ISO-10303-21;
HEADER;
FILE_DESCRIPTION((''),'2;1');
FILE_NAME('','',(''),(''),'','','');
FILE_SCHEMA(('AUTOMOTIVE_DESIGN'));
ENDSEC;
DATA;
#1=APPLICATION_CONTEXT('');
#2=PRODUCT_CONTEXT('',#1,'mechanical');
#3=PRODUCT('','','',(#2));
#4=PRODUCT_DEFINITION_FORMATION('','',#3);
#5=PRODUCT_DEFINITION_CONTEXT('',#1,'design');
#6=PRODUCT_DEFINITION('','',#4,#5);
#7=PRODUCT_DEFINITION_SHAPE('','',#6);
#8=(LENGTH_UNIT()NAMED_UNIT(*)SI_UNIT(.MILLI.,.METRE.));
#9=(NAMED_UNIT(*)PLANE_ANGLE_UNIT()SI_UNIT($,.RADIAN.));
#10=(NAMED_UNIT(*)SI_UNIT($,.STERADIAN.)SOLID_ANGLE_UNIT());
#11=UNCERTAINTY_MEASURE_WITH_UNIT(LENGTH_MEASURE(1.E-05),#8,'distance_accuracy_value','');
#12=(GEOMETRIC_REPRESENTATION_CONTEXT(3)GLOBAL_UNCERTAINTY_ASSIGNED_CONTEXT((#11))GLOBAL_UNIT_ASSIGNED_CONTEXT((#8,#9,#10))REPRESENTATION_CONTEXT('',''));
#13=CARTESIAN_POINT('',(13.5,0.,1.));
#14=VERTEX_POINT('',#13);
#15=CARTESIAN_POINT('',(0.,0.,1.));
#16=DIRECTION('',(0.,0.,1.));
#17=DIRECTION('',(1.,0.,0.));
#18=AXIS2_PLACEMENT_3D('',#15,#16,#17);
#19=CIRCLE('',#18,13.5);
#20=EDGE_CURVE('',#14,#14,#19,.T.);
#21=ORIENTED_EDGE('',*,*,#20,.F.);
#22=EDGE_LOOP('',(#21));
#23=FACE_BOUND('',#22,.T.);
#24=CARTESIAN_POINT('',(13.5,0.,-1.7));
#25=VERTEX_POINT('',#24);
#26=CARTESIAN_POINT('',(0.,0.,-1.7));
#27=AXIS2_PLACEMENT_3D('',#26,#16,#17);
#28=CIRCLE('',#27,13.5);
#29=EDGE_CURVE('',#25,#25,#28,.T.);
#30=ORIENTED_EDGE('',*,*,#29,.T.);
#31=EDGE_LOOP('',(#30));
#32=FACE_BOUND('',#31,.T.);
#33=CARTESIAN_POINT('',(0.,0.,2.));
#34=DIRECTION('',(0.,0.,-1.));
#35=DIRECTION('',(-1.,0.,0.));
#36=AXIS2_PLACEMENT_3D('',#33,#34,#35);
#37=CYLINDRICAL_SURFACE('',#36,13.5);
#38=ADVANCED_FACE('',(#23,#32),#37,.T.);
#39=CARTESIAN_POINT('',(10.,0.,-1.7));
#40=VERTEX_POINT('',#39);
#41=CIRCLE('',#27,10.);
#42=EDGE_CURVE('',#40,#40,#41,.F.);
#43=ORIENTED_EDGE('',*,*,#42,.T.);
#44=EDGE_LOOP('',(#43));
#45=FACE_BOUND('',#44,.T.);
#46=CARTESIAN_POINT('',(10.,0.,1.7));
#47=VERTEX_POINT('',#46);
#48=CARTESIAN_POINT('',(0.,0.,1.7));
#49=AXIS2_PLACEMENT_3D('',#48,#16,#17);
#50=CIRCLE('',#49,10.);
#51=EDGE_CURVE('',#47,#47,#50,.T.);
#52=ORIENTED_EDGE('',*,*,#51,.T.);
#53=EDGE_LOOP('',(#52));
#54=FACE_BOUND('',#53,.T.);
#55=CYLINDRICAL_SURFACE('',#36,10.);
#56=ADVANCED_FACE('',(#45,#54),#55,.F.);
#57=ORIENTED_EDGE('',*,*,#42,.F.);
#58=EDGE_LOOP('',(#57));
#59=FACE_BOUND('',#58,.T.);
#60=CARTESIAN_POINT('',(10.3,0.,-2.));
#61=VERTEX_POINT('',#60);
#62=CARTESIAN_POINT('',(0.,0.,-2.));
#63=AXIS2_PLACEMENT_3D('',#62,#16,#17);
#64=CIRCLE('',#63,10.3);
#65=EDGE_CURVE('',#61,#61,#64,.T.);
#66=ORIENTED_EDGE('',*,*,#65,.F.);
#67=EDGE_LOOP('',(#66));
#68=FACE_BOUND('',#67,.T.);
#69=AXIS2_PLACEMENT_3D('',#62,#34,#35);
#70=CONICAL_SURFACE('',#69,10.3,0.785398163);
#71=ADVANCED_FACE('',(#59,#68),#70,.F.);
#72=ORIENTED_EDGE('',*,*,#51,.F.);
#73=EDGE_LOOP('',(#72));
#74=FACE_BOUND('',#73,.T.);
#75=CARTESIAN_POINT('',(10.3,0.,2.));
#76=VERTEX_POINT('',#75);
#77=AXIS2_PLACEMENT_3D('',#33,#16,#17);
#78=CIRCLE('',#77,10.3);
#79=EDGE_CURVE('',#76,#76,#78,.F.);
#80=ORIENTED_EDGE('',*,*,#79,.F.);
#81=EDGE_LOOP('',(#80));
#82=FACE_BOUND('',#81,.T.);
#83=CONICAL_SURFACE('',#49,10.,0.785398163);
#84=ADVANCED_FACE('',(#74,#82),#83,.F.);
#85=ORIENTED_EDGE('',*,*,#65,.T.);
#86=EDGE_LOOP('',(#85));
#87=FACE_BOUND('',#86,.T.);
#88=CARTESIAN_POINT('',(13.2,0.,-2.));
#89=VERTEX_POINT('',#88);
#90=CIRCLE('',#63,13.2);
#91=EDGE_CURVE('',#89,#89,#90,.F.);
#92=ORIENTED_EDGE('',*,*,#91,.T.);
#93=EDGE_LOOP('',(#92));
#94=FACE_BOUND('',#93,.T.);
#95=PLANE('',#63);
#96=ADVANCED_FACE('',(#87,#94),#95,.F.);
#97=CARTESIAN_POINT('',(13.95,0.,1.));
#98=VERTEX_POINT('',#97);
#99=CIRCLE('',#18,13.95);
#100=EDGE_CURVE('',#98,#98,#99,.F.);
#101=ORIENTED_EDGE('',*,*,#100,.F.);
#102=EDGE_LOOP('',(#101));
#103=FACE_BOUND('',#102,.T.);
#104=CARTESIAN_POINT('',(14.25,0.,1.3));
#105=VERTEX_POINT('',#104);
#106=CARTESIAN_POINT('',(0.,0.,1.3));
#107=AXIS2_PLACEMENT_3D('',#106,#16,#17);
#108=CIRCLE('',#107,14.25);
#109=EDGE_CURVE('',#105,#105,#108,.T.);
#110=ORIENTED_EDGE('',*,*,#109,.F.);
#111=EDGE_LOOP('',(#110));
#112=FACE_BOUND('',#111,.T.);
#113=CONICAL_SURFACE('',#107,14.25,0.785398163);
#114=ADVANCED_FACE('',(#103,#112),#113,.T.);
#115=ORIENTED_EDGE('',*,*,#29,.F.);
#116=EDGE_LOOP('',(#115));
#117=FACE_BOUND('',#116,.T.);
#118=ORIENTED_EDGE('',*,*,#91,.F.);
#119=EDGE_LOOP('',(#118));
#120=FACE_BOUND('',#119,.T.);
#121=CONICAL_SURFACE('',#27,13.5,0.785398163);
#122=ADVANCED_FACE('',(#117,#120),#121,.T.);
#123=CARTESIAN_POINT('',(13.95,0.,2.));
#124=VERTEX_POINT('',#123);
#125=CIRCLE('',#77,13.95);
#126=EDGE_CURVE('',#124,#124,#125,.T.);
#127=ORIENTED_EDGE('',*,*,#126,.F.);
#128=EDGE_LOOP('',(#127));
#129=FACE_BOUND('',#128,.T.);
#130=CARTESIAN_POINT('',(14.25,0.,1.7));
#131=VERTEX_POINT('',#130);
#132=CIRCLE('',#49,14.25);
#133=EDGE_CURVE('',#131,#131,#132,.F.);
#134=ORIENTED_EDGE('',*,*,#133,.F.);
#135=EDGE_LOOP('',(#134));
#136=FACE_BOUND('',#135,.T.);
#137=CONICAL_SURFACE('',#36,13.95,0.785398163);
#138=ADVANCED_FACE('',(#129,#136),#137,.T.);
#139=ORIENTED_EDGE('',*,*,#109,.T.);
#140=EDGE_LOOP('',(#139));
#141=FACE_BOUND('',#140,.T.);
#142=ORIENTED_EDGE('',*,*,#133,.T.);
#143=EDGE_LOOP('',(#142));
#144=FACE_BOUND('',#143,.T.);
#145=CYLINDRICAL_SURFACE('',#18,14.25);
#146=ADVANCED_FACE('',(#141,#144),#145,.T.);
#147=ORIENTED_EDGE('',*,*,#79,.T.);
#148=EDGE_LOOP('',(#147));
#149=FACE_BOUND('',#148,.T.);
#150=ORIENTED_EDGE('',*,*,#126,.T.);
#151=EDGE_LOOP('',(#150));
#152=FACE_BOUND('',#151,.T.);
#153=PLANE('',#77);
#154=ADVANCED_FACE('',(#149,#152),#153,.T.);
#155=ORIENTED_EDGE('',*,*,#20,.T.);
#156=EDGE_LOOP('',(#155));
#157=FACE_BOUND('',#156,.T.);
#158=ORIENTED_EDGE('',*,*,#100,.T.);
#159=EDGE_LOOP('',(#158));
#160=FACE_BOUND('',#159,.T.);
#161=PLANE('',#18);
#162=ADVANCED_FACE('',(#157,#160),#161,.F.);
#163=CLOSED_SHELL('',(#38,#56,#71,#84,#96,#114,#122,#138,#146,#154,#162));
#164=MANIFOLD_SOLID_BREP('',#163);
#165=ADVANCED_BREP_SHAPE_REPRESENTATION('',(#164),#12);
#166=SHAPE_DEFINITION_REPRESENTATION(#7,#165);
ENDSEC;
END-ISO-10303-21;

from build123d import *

# Parameters (mm, degrees)
SKETCH_1_R      = 13.5
SKETCH_1_R_2    = 10
EXTRUDE_1_DEPTH = 2
EXTRUDE_START   = -1
SKETCH_2_R      = 14.25
SKETCH_2_R_2    = 10
EXTRUDE_2_DEPTH = 1
CHAMFER_1_SIZE  = 0.3


with BuildPart() as part:
    # 草图1 → 凸台-拉伸1 (new, symmetric)
    with BuildSketch(Plane.XY):
        Circle(SKETCH_1_R)
        Circle(SKETCH_1_R_2, mode=Mode.SUBTRACT)
    extrude(amount=EXTRUDE_1_DEPTH, both=True)

    # 草图2 → 凸台-拉伸2 (add)
    with BuildSketch(Plane.XY.offset(2).offset(EXTRUDE_START)):
        Circle(SKETCH_2_R)
        Circle(SKETCH_2_R_2, mode=Mode.SUBTRACT)
    extrude(amount=EXTRUDE_2_DEPTH)

    # 倒角1
    chamfer_1_edges = [part.edges().sort_by_distance(p)[0] for p in [
        (-14.25, 0, 2),
        (-14.25, 0, 1),
        (-13.5, 0, -2),
        (-10, 0, -2),
        (-10, 0, 2),
    ]]
    chamfer(chamfer_1_edges, length=CHAMFER_1_SIZE)


solid = part.part
